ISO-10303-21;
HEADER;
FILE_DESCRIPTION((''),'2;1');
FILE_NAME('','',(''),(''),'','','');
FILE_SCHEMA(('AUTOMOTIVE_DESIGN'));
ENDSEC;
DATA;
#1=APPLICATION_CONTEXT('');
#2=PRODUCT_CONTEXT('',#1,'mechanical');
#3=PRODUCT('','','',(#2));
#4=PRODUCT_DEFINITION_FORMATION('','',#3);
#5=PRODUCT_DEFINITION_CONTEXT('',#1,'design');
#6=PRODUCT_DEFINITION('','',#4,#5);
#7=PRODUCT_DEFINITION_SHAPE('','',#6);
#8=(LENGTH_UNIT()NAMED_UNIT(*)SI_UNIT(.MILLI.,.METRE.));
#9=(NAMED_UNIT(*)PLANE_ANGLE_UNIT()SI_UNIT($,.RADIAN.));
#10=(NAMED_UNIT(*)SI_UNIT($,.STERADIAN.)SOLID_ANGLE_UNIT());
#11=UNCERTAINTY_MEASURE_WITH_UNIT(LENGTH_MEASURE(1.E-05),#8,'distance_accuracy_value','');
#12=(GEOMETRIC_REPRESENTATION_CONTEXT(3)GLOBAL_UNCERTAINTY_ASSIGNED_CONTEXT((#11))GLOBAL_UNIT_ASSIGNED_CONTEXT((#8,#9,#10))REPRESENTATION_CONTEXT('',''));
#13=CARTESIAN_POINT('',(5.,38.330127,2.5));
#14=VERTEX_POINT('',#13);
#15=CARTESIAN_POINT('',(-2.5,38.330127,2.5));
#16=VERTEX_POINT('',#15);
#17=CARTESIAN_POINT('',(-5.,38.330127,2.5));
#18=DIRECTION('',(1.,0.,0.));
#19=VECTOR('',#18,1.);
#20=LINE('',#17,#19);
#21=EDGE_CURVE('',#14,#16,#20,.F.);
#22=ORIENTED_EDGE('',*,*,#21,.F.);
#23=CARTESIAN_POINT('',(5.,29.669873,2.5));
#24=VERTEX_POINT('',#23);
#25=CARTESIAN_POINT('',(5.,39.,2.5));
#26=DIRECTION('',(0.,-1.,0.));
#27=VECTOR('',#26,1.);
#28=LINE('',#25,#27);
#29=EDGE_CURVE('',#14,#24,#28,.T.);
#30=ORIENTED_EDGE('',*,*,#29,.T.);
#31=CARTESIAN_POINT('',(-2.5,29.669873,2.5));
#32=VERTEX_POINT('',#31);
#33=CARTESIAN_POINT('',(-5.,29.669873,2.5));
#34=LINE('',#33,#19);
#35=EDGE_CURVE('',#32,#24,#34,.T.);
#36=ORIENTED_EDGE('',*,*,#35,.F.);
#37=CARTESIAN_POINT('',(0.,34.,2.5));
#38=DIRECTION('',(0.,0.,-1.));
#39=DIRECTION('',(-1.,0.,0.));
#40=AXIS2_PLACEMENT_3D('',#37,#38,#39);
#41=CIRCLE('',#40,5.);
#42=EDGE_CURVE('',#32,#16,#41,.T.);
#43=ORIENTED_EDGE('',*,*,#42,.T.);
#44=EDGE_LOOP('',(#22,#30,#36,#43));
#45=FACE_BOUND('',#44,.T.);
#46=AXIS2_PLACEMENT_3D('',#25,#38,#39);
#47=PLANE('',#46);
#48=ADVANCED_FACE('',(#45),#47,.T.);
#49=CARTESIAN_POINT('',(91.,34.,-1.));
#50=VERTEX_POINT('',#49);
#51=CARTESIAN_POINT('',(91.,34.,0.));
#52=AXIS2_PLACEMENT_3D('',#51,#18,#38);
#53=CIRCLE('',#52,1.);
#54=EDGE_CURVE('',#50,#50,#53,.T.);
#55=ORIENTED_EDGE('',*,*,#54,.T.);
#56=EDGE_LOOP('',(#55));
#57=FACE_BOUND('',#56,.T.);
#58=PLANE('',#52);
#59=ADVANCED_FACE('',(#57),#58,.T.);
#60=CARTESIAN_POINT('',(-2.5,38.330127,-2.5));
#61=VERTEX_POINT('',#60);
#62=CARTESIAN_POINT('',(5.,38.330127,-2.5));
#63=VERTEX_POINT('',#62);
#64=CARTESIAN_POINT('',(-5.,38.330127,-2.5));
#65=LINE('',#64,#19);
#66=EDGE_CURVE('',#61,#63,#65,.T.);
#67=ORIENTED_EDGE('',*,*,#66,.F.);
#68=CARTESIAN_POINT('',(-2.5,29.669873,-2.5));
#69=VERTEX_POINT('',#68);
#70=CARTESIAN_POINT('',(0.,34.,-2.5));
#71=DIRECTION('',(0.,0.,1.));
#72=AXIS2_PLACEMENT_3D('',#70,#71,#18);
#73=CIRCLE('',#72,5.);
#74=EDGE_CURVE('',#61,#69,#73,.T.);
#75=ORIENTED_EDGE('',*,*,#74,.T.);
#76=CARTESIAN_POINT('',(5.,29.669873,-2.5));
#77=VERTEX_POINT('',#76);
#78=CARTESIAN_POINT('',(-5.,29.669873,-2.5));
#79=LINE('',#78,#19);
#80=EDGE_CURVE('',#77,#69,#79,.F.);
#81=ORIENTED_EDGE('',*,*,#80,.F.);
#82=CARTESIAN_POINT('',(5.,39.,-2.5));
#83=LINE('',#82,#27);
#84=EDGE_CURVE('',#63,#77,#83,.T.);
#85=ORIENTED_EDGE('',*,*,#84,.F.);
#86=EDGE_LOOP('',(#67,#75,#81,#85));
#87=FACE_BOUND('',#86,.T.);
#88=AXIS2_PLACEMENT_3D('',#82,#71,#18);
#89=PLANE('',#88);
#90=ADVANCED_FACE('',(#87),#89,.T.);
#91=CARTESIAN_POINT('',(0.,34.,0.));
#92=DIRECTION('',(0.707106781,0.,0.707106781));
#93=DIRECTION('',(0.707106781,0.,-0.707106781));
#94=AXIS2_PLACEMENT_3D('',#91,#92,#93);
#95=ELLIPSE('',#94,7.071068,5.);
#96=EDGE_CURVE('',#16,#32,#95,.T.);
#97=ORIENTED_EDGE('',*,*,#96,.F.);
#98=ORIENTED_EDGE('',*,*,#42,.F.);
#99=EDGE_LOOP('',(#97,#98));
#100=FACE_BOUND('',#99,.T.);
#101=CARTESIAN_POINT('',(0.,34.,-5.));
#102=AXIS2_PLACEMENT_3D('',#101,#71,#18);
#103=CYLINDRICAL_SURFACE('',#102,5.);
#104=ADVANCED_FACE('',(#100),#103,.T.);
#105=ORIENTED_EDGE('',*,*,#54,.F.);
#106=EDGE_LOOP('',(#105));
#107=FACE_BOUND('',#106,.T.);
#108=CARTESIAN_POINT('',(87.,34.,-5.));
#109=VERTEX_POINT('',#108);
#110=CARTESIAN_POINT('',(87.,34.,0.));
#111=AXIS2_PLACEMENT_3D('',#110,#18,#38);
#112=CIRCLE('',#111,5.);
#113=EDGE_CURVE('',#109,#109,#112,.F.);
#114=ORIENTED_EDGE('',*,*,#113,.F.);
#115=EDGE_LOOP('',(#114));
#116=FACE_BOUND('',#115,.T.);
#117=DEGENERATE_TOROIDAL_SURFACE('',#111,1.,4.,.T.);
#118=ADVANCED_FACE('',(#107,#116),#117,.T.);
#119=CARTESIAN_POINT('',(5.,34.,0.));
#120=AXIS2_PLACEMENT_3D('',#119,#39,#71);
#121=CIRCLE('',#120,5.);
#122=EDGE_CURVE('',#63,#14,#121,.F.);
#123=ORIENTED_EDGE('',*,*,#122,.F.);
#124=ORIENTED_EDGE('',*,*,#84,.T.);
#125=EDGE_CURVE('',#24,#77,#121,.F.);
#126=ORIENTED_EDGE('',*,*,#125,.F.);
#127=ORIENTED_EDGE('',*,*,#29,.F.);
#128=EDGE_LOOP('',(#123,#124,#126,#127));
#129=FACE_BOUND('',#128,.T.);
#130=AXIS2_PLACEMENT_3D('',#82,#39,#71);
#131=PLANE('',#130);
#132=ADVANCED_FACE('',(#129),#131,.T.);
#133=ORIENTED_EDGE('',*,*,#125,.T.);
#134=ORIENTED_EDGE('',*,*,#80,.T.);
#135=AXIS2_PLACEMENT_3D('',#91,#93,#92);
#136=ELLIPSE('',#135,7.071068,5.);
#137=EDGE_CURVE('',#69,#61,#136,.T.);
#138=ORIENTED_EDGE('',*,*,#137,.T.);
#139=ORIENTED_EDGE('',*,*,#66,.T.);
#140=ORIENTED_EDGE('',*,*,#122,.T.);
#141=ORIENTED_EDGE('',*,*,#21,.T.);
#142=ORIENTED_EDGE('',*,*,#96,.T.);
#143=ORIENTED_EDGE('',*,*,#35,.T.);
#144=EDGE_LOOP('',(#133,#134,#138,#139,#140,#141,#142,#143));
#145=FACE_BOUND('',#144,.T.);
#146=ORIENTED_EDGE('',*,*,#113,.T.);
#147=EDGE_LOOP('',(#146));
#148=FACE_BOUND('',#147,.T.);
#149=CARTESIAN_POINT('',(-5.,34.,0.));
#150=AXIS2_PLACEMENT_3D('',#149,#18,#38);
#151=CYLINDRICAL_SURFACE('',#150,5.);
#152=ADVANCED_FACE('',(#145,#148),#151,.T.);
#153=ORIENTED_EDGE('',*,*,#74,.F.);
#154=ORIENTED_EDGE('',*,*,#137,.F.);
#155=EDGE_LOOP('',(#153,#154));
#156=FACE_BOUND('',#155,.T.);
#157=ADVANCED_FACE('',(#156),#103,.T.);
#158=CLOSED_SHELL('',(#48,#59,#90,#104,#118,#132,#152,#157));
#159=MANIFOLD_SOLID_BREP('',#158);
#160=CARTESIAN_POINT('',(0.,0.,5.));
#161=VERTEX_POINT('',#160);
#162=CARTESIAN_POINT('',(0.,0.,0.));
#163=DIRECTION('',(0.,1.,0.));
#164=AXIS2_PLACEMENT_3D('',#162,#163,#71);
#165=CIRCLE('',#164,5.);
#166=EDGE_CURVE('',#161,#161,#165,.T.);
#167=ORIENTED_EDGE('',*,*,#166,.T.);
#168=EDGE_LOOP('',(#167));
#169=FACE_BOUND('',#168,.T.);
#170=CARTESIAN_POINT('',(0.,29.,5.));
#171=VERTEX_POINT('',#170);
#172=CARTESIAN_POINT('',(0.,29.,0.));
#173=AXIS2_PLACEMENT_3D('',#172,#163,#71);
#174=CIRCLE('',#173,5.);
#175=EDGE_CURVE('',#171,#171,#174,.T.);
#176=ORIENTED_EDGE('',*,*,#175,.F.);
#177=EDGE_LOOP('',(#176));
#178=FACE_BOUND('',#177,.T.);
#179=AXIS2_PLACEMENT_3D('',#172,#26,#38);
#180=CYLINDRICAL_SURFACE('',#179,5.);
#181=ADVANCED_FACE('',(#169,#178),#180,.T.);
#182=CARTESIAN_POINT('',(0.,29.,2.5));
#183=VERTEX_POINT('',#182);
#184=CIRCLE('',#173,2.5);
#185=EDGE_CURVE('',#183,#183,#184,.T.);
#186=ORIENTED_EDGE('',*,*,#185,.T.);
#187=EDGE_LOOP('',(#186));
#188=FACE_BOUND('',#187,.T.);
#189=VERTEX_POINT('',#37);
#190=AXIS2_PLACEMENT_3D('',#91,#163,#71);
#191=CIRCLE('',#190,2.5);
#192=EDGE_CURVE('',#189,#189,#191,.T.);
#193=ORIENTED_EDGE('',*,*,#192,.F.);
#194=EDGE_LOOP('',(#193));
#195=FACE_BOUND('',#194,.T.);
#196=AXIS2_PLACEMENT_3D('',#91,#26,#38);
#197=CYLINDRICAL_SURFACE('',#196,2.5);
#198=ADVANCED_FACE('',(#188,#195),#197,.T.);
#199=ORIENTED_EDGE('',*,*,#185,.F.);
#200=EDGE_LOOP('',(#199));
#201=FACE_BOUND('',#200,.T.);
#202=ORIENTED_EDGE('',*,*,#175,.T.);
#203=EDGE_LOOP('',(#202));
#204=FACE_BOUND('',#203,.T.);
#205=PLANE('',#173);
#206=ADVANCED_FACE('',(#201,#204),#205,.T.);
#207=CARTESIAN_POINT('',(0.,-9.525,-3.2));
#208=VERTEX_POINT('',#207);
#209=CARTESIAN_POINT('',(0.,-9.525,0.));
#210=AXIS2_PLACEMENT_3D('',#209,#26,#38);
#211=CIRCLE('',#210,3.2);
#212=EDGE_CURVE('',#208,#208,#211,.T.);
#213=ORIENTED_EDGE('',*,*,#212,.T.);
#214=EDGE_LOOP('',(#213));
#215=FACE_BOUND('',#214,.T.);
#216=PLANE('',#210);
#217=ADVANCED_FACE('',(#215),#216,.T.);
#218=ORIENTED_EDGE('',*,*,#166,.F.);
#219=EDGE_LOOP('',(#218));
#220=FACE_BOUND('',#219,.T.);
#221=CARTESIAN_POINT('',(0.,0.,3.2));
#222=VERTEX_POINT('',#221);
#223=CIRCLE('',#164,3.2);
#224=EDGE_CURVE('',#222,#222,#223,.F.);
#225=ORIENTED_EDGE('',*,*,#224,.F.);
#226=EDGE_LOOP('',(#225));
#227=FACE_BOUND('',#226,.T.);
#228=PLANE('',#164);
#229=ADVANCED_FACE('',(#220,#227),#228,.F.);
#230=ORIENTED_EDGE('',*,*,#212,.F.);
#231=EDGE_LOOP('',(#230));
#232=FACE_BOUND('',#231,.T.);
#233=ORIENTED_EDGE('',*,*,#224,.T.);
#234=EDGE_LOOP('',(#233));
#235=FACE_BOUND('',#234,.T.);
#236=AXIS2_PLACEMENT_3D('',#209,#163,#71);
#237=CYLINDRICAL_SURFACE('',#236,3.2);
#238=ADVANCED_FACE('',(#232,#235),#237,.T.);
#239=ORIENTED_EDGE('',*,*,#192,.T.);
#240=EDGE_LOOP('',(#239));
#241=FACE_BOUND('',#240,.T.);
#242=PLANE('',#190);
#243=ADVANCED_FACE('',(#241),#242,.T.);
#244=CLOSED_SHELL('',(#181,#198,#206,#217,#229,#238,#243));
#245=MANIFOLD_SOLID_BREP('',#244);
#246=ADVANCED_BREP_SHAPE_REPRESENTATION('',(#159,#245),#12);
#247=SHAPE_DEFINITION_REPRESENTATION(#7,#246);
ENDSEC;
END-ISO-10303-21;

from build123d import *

# Parameters (mm, degrees)
SKETCH1_R                = 5
BOSS_EXTRUDE1_DEPTH      = 29
SKETCH2_R                = 2.5
BOSS_EXTRUDE2_DEPTH      = 5
SKETCH4_R                = 3.2
BOSS_EXTRUDE3_DEPTH      = 9.525
SKETCH5_R                = 5
BOSS_EXTRUDE4_DEPTH      = 86
BOSS_EXTRUDE4_DEPTH_BACK = 10
FILLET1_R                = 4
SKETCH8_W                = 10
SKETCH8_H                = 5
CUT_EXTRUDE2_DEPTH       = 11
CUT_EXTRUDE3_DEPTH       = 6
CUT_EXTRUDE3_DEPTH_BACK  = 6


with BuildPart() as part:
    # Sketch1 → Boss-Extrude1 (new body)
    with BuildSketch(Plane(origin=(0, 0, 0), x_dir=(1, 0, 0), z_dir=(0, 1, 0))):
        Circle(SKETCH1_R)
    extrude(amount=BOSS_EXTRUDE1_DEPTH)

    # Sketch2 → Boss-Extrude2 (add)
    with BuildSketch(Plane(origin=(0, 29, 0), x_dir=(1, 0, 0), z_dir=(0, 1, 0))):
        Circle(SKETCH2_R)
    extrude(amount=BOSS_EXTRUDE2_DEPTH)

    # Sketch4 → Boss-Extrude3 (add)
    with BuildSketch(Plane.XZ):
        Circle(SKETCH4_R)
    extrude(amount=BOSS_EXTRUDE3_DEPTH)


with BuildPart() as body_2:
    # Sketch5 → Boss-Extrude4 (new body, two sides)
    with BuildSketch(Plane(origin=(5, 0, 0), x_dir=(0, 0, -1), z_dir=(1, 0, 0))) as boss_extrude4_sk:
        with Locations((0, 34)):
            Circle(SKETCH5_R)
    extrude(amount=BOSS_EXTRUDE4_DEPTH)
    extrude(boss_extrude4_sk.sketch, amount=-BOSS_EXTRUDE4_DEPTH_BACK)

    # Fillet1
    fillet1_edges = [body_2.edges().sort_by_distance(p)[0] for p in [
        (91, 34, 5),
    ]]
    fillet(fillet1_edges, radius=FILLET1_R)

    # Sketch8 → Cut-Extrude2 (cut, through all)
    with BuildSketch(Plane(origin=(0, 29, 0), x_dir=(1, 0, 0), z_dir=(0, 1, 0))):
        Rectangle(SKETCH8_W, SKETCH8_H)
    extrude(amount=CUT_EXTRUDE2_DEPTH, mode=Mode.SUBTRACT)

    # Sketch9 → Cut-Extrude3 (cut, two sides)
    with BuildSketch(Plane.XY) as cut_extrude3_sk:
        with BuildLine():
            Line((-5, 34), (-5, 29))
            Line((-5, 29), (0, 29))
            ThreePointArc((0, 29), (-3.535533906, 30.464466094), (-5, 34))
        make_face()
        with BuildLine():
            Line((-5, 39), (-5, 34))
            ThreePointArc((-5, 34), (-3.535533906, 37.535533906), (0, 39))
            Line((0, 39), (-5, 39))
        make_face()
    extrude(amount=CUT_EXTRUDE3_DEPTH, mode=Mode.SUBTRACT)
    extrude(cut_extrude3_sk.sketch, amount=-CUT_EXTRUDE3_DEPTH_BACK, mode=Mode.SUBTRACT)


solid = Compound([part.part, body_2.part])
